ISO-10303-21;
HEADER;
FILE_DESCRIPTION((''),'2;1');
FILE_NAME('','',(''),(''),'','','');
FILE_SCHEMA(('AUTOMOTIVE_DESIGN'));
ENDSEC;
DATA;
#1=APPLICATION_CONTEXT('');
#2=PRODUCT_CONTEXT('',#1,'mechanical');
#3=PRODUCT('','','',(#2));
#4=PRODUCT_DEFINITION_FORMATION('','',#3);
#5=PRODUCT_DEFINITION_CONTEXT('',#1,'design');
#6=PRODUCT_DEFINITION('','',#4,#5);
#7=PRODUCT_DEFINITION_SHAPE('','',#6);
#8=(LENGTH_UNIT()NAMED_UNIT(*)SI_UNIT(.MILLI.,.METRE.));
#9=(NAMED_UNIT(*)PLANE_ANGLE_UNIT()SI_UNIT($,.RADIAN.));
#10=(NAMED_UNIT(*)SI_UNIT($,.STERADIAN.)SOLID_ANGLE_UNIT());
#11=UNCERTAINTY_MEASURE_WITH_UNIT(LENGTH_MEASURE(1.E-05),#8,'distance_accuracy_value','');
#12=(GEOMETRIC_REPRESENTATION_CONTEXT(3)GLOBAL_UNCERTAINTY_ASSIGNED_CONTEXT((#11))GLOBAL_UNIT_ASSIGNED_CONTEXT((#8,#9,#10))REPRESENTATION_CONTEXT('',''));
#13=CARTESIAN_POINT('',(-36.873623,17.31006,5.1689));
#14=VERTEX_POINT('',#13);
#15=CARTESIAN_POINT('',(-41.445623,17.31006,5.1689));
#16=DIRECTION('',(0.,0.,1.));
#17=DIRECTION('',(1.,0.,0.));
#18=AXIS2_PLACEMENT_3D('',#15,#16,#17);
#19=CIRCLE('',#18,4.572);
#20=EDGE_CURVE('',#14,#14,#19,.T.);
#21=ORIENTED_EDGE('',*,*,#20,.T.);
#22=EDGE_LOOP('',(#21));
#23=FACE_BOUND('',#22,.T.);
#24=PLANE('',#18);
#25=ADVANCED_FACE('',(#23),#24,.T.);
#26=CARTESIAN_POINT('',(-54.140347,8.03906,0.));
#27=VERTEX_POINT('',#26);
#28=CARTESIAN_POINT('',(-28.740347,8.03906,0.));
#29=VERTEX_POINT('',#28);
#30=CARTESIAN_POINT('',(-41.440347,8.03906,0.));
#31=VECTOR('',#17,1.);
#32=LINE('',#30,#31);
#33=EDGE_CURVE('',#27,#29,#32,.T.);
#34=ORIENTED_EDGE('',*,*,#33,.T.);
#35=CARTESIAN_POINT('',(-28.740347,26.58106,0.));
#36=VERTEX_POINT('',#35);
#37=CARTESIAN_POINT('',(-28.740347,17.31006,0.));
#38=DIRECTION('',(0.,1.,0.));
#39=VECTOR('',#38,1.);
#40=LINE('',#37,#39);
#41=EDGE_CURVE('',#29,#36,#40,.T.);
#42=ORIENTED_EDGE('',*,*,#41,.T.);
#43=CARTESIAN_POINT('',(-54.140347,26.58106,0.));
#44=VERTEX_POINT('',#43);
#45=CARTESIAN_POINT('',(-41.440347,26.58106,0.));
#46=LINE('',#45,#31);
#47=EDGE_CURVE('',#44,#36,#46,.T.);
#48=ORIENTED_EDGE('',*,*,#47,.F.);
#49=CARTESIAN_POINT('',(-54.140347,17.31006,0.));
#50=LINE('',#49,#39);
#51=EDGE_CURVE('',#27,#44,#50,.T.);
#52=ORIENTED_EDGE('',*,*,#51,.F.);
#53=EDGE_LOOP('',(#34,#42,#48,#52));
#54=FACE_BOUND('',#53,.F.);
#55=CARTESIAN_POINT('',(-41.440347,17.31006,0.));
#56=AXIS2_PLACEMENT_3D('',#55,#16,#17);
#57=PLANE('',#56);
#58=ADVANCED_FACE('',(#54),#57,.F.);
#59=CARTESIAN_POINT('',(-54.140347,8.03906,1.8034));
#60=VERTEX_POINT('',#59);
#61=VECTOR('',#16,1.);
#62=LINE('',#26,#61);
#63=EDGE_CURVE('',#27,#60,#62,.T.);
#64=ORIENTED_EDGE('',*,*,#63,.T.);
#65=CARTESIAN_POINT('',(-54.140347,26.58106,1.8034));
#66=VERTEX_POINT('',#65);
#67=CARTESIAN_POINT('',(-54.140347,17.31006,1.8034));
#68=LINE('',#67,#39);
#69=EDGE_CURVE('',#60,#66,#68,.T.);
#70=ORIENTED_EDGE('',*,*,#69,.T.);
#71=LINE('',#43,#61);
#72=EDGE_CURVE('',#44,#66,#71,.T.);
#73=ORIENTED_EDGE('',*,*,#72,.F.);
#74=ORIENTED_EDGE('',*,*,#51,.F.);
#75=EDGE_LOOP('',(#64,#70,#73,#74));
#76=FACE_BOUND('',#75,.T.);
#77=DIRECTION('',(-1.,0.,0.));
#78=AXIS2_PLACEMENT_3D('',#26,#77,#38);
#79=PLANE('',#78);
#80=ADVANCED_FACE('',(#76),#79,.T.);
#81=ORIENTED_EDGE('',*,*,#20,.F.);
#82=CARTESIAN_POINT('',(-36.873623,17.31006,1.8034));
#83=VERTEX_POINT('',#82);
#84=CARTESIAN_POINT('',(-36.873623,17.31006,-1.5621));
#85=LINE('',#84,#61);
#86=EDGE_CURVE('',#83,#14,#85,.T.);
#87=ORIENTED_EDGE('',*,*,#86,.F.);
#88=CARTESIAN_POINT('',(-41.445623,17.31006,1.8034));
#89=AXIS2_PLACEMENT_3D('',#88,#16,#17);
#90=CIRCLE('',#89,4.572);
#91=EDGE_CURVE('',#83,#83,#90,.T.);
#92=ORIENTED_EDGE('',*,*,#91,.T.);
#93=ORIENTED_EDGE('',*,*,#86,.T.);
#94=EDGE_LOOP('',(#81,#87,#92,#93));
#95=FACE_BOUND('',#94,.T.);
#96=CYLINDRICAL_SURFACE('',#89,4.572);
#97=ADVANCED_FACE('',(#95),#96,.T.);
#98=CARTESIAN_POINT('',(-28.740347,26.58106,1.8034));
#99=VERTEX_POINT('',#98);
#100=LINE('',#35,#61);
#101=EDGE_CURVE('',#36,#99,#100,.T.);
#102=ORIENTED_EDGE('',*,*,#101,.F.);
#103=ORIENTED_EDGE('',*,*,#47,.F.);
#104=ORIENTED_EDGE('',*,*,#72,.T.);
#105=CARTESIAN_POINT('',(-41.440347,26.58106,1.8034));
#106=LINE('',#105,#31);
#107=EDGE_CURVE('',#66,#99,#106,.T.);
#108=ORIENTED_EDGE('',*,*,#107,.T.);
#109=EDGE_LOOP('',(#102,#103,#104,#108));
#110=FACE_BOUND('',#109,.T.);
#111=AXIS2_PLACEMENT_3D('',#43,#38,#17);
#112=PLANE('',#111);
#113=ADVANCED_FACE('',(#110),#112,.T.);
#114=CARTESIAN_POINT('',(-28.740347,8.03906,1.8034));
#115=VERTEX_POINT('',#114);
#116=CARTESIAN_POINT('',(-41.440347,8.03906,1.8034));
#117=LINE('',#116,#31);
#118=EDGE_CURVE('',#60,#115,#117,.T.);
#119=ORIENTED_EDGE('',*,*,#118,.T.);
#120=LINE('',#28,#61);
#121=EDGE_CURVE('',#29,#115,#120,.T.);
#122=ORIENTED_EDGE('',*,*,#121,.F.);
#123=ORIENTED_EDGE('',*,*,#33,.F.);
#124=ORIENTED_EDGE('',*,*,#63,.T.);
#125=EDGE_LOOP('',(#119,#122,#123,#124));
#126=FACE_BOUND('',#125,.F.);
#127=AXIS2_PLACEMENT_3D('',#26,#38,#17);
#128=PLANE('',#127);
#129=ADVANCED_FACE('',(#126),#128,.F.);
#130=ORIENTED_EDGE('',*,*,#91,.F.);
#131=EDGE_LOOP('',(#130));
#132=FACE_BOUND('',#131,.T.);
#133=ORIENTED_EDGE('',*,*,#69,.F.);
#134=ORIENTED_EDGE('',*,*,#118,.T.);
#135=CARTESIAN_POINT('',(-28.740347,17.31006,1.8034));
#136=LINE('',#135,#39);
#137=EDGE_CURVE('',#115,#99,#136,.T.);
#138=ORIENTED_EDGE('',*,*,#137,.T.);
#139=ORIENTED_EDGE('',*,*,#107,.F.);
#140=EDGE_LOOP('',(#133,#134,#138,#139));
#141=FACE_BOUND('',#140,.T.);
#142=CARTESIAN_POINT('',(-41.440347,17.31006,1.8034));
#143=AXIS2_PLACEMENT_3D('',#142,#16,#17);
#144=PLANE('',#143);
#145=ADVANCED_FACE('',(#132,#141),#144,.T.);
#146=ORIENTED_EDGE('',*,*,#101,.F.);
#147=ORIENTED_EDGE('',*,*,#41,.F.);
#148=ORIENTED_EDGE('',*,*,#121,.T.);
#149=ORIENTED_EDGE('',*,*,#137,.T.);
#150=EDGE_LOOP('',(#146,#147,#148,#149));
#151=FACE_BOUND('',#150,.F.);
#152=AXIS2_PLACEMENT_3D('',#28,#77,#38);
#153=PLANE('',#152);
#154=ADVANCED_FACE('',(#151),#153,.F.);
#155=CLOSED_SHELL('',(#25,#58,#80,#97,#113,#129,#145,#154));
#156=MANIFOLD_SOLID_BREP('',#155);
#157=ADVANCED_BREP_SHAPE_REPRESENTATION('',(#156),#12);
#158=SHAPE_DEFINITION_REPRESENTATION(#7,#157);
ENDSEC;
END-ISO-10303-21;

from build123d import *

# Parameters (mm, degrees)
F0_W      = 25.4
F0_H      = 18.542
F1_DEPTH  = 1.8034
F2_R      = 4.572
F3_DEPTH  = 3.3655
F3_FACE_R = 4.572
F4_DEPTH  = 1.5621


with BuildPart() as f1:
    # F0 (on Top) → F1 (new body)
    with BuildSketch(Plane.XY):
        with Locations((-41.440347, 17.31006)):
            Rectangle(F0_W, F0_H)
    extrude(amount=F1_DEPTH)

    # F2 (on face) → F3 (join, symmetric)
    with BuildSketch(Plane.XY.offset(1.8034)):
        with Locations((-41.445623, 17.31006)):
            Circle(F2_R)
    extrude(amount=F3_DEPTH, both=True)

    # F3_face (on face) → F4 (cut, through all)
    with BuildSketch(Plane(origin=(-41.445623, 17.31006, -1.5621), x_dir=(1, 0, 0), z_dir=(0, 0, -1))):
        Circle(F3_FACE_R)
    extrude(amount=-F4_DEPTH, mode=Mode.SUBTRACT)


solid = f1.part
